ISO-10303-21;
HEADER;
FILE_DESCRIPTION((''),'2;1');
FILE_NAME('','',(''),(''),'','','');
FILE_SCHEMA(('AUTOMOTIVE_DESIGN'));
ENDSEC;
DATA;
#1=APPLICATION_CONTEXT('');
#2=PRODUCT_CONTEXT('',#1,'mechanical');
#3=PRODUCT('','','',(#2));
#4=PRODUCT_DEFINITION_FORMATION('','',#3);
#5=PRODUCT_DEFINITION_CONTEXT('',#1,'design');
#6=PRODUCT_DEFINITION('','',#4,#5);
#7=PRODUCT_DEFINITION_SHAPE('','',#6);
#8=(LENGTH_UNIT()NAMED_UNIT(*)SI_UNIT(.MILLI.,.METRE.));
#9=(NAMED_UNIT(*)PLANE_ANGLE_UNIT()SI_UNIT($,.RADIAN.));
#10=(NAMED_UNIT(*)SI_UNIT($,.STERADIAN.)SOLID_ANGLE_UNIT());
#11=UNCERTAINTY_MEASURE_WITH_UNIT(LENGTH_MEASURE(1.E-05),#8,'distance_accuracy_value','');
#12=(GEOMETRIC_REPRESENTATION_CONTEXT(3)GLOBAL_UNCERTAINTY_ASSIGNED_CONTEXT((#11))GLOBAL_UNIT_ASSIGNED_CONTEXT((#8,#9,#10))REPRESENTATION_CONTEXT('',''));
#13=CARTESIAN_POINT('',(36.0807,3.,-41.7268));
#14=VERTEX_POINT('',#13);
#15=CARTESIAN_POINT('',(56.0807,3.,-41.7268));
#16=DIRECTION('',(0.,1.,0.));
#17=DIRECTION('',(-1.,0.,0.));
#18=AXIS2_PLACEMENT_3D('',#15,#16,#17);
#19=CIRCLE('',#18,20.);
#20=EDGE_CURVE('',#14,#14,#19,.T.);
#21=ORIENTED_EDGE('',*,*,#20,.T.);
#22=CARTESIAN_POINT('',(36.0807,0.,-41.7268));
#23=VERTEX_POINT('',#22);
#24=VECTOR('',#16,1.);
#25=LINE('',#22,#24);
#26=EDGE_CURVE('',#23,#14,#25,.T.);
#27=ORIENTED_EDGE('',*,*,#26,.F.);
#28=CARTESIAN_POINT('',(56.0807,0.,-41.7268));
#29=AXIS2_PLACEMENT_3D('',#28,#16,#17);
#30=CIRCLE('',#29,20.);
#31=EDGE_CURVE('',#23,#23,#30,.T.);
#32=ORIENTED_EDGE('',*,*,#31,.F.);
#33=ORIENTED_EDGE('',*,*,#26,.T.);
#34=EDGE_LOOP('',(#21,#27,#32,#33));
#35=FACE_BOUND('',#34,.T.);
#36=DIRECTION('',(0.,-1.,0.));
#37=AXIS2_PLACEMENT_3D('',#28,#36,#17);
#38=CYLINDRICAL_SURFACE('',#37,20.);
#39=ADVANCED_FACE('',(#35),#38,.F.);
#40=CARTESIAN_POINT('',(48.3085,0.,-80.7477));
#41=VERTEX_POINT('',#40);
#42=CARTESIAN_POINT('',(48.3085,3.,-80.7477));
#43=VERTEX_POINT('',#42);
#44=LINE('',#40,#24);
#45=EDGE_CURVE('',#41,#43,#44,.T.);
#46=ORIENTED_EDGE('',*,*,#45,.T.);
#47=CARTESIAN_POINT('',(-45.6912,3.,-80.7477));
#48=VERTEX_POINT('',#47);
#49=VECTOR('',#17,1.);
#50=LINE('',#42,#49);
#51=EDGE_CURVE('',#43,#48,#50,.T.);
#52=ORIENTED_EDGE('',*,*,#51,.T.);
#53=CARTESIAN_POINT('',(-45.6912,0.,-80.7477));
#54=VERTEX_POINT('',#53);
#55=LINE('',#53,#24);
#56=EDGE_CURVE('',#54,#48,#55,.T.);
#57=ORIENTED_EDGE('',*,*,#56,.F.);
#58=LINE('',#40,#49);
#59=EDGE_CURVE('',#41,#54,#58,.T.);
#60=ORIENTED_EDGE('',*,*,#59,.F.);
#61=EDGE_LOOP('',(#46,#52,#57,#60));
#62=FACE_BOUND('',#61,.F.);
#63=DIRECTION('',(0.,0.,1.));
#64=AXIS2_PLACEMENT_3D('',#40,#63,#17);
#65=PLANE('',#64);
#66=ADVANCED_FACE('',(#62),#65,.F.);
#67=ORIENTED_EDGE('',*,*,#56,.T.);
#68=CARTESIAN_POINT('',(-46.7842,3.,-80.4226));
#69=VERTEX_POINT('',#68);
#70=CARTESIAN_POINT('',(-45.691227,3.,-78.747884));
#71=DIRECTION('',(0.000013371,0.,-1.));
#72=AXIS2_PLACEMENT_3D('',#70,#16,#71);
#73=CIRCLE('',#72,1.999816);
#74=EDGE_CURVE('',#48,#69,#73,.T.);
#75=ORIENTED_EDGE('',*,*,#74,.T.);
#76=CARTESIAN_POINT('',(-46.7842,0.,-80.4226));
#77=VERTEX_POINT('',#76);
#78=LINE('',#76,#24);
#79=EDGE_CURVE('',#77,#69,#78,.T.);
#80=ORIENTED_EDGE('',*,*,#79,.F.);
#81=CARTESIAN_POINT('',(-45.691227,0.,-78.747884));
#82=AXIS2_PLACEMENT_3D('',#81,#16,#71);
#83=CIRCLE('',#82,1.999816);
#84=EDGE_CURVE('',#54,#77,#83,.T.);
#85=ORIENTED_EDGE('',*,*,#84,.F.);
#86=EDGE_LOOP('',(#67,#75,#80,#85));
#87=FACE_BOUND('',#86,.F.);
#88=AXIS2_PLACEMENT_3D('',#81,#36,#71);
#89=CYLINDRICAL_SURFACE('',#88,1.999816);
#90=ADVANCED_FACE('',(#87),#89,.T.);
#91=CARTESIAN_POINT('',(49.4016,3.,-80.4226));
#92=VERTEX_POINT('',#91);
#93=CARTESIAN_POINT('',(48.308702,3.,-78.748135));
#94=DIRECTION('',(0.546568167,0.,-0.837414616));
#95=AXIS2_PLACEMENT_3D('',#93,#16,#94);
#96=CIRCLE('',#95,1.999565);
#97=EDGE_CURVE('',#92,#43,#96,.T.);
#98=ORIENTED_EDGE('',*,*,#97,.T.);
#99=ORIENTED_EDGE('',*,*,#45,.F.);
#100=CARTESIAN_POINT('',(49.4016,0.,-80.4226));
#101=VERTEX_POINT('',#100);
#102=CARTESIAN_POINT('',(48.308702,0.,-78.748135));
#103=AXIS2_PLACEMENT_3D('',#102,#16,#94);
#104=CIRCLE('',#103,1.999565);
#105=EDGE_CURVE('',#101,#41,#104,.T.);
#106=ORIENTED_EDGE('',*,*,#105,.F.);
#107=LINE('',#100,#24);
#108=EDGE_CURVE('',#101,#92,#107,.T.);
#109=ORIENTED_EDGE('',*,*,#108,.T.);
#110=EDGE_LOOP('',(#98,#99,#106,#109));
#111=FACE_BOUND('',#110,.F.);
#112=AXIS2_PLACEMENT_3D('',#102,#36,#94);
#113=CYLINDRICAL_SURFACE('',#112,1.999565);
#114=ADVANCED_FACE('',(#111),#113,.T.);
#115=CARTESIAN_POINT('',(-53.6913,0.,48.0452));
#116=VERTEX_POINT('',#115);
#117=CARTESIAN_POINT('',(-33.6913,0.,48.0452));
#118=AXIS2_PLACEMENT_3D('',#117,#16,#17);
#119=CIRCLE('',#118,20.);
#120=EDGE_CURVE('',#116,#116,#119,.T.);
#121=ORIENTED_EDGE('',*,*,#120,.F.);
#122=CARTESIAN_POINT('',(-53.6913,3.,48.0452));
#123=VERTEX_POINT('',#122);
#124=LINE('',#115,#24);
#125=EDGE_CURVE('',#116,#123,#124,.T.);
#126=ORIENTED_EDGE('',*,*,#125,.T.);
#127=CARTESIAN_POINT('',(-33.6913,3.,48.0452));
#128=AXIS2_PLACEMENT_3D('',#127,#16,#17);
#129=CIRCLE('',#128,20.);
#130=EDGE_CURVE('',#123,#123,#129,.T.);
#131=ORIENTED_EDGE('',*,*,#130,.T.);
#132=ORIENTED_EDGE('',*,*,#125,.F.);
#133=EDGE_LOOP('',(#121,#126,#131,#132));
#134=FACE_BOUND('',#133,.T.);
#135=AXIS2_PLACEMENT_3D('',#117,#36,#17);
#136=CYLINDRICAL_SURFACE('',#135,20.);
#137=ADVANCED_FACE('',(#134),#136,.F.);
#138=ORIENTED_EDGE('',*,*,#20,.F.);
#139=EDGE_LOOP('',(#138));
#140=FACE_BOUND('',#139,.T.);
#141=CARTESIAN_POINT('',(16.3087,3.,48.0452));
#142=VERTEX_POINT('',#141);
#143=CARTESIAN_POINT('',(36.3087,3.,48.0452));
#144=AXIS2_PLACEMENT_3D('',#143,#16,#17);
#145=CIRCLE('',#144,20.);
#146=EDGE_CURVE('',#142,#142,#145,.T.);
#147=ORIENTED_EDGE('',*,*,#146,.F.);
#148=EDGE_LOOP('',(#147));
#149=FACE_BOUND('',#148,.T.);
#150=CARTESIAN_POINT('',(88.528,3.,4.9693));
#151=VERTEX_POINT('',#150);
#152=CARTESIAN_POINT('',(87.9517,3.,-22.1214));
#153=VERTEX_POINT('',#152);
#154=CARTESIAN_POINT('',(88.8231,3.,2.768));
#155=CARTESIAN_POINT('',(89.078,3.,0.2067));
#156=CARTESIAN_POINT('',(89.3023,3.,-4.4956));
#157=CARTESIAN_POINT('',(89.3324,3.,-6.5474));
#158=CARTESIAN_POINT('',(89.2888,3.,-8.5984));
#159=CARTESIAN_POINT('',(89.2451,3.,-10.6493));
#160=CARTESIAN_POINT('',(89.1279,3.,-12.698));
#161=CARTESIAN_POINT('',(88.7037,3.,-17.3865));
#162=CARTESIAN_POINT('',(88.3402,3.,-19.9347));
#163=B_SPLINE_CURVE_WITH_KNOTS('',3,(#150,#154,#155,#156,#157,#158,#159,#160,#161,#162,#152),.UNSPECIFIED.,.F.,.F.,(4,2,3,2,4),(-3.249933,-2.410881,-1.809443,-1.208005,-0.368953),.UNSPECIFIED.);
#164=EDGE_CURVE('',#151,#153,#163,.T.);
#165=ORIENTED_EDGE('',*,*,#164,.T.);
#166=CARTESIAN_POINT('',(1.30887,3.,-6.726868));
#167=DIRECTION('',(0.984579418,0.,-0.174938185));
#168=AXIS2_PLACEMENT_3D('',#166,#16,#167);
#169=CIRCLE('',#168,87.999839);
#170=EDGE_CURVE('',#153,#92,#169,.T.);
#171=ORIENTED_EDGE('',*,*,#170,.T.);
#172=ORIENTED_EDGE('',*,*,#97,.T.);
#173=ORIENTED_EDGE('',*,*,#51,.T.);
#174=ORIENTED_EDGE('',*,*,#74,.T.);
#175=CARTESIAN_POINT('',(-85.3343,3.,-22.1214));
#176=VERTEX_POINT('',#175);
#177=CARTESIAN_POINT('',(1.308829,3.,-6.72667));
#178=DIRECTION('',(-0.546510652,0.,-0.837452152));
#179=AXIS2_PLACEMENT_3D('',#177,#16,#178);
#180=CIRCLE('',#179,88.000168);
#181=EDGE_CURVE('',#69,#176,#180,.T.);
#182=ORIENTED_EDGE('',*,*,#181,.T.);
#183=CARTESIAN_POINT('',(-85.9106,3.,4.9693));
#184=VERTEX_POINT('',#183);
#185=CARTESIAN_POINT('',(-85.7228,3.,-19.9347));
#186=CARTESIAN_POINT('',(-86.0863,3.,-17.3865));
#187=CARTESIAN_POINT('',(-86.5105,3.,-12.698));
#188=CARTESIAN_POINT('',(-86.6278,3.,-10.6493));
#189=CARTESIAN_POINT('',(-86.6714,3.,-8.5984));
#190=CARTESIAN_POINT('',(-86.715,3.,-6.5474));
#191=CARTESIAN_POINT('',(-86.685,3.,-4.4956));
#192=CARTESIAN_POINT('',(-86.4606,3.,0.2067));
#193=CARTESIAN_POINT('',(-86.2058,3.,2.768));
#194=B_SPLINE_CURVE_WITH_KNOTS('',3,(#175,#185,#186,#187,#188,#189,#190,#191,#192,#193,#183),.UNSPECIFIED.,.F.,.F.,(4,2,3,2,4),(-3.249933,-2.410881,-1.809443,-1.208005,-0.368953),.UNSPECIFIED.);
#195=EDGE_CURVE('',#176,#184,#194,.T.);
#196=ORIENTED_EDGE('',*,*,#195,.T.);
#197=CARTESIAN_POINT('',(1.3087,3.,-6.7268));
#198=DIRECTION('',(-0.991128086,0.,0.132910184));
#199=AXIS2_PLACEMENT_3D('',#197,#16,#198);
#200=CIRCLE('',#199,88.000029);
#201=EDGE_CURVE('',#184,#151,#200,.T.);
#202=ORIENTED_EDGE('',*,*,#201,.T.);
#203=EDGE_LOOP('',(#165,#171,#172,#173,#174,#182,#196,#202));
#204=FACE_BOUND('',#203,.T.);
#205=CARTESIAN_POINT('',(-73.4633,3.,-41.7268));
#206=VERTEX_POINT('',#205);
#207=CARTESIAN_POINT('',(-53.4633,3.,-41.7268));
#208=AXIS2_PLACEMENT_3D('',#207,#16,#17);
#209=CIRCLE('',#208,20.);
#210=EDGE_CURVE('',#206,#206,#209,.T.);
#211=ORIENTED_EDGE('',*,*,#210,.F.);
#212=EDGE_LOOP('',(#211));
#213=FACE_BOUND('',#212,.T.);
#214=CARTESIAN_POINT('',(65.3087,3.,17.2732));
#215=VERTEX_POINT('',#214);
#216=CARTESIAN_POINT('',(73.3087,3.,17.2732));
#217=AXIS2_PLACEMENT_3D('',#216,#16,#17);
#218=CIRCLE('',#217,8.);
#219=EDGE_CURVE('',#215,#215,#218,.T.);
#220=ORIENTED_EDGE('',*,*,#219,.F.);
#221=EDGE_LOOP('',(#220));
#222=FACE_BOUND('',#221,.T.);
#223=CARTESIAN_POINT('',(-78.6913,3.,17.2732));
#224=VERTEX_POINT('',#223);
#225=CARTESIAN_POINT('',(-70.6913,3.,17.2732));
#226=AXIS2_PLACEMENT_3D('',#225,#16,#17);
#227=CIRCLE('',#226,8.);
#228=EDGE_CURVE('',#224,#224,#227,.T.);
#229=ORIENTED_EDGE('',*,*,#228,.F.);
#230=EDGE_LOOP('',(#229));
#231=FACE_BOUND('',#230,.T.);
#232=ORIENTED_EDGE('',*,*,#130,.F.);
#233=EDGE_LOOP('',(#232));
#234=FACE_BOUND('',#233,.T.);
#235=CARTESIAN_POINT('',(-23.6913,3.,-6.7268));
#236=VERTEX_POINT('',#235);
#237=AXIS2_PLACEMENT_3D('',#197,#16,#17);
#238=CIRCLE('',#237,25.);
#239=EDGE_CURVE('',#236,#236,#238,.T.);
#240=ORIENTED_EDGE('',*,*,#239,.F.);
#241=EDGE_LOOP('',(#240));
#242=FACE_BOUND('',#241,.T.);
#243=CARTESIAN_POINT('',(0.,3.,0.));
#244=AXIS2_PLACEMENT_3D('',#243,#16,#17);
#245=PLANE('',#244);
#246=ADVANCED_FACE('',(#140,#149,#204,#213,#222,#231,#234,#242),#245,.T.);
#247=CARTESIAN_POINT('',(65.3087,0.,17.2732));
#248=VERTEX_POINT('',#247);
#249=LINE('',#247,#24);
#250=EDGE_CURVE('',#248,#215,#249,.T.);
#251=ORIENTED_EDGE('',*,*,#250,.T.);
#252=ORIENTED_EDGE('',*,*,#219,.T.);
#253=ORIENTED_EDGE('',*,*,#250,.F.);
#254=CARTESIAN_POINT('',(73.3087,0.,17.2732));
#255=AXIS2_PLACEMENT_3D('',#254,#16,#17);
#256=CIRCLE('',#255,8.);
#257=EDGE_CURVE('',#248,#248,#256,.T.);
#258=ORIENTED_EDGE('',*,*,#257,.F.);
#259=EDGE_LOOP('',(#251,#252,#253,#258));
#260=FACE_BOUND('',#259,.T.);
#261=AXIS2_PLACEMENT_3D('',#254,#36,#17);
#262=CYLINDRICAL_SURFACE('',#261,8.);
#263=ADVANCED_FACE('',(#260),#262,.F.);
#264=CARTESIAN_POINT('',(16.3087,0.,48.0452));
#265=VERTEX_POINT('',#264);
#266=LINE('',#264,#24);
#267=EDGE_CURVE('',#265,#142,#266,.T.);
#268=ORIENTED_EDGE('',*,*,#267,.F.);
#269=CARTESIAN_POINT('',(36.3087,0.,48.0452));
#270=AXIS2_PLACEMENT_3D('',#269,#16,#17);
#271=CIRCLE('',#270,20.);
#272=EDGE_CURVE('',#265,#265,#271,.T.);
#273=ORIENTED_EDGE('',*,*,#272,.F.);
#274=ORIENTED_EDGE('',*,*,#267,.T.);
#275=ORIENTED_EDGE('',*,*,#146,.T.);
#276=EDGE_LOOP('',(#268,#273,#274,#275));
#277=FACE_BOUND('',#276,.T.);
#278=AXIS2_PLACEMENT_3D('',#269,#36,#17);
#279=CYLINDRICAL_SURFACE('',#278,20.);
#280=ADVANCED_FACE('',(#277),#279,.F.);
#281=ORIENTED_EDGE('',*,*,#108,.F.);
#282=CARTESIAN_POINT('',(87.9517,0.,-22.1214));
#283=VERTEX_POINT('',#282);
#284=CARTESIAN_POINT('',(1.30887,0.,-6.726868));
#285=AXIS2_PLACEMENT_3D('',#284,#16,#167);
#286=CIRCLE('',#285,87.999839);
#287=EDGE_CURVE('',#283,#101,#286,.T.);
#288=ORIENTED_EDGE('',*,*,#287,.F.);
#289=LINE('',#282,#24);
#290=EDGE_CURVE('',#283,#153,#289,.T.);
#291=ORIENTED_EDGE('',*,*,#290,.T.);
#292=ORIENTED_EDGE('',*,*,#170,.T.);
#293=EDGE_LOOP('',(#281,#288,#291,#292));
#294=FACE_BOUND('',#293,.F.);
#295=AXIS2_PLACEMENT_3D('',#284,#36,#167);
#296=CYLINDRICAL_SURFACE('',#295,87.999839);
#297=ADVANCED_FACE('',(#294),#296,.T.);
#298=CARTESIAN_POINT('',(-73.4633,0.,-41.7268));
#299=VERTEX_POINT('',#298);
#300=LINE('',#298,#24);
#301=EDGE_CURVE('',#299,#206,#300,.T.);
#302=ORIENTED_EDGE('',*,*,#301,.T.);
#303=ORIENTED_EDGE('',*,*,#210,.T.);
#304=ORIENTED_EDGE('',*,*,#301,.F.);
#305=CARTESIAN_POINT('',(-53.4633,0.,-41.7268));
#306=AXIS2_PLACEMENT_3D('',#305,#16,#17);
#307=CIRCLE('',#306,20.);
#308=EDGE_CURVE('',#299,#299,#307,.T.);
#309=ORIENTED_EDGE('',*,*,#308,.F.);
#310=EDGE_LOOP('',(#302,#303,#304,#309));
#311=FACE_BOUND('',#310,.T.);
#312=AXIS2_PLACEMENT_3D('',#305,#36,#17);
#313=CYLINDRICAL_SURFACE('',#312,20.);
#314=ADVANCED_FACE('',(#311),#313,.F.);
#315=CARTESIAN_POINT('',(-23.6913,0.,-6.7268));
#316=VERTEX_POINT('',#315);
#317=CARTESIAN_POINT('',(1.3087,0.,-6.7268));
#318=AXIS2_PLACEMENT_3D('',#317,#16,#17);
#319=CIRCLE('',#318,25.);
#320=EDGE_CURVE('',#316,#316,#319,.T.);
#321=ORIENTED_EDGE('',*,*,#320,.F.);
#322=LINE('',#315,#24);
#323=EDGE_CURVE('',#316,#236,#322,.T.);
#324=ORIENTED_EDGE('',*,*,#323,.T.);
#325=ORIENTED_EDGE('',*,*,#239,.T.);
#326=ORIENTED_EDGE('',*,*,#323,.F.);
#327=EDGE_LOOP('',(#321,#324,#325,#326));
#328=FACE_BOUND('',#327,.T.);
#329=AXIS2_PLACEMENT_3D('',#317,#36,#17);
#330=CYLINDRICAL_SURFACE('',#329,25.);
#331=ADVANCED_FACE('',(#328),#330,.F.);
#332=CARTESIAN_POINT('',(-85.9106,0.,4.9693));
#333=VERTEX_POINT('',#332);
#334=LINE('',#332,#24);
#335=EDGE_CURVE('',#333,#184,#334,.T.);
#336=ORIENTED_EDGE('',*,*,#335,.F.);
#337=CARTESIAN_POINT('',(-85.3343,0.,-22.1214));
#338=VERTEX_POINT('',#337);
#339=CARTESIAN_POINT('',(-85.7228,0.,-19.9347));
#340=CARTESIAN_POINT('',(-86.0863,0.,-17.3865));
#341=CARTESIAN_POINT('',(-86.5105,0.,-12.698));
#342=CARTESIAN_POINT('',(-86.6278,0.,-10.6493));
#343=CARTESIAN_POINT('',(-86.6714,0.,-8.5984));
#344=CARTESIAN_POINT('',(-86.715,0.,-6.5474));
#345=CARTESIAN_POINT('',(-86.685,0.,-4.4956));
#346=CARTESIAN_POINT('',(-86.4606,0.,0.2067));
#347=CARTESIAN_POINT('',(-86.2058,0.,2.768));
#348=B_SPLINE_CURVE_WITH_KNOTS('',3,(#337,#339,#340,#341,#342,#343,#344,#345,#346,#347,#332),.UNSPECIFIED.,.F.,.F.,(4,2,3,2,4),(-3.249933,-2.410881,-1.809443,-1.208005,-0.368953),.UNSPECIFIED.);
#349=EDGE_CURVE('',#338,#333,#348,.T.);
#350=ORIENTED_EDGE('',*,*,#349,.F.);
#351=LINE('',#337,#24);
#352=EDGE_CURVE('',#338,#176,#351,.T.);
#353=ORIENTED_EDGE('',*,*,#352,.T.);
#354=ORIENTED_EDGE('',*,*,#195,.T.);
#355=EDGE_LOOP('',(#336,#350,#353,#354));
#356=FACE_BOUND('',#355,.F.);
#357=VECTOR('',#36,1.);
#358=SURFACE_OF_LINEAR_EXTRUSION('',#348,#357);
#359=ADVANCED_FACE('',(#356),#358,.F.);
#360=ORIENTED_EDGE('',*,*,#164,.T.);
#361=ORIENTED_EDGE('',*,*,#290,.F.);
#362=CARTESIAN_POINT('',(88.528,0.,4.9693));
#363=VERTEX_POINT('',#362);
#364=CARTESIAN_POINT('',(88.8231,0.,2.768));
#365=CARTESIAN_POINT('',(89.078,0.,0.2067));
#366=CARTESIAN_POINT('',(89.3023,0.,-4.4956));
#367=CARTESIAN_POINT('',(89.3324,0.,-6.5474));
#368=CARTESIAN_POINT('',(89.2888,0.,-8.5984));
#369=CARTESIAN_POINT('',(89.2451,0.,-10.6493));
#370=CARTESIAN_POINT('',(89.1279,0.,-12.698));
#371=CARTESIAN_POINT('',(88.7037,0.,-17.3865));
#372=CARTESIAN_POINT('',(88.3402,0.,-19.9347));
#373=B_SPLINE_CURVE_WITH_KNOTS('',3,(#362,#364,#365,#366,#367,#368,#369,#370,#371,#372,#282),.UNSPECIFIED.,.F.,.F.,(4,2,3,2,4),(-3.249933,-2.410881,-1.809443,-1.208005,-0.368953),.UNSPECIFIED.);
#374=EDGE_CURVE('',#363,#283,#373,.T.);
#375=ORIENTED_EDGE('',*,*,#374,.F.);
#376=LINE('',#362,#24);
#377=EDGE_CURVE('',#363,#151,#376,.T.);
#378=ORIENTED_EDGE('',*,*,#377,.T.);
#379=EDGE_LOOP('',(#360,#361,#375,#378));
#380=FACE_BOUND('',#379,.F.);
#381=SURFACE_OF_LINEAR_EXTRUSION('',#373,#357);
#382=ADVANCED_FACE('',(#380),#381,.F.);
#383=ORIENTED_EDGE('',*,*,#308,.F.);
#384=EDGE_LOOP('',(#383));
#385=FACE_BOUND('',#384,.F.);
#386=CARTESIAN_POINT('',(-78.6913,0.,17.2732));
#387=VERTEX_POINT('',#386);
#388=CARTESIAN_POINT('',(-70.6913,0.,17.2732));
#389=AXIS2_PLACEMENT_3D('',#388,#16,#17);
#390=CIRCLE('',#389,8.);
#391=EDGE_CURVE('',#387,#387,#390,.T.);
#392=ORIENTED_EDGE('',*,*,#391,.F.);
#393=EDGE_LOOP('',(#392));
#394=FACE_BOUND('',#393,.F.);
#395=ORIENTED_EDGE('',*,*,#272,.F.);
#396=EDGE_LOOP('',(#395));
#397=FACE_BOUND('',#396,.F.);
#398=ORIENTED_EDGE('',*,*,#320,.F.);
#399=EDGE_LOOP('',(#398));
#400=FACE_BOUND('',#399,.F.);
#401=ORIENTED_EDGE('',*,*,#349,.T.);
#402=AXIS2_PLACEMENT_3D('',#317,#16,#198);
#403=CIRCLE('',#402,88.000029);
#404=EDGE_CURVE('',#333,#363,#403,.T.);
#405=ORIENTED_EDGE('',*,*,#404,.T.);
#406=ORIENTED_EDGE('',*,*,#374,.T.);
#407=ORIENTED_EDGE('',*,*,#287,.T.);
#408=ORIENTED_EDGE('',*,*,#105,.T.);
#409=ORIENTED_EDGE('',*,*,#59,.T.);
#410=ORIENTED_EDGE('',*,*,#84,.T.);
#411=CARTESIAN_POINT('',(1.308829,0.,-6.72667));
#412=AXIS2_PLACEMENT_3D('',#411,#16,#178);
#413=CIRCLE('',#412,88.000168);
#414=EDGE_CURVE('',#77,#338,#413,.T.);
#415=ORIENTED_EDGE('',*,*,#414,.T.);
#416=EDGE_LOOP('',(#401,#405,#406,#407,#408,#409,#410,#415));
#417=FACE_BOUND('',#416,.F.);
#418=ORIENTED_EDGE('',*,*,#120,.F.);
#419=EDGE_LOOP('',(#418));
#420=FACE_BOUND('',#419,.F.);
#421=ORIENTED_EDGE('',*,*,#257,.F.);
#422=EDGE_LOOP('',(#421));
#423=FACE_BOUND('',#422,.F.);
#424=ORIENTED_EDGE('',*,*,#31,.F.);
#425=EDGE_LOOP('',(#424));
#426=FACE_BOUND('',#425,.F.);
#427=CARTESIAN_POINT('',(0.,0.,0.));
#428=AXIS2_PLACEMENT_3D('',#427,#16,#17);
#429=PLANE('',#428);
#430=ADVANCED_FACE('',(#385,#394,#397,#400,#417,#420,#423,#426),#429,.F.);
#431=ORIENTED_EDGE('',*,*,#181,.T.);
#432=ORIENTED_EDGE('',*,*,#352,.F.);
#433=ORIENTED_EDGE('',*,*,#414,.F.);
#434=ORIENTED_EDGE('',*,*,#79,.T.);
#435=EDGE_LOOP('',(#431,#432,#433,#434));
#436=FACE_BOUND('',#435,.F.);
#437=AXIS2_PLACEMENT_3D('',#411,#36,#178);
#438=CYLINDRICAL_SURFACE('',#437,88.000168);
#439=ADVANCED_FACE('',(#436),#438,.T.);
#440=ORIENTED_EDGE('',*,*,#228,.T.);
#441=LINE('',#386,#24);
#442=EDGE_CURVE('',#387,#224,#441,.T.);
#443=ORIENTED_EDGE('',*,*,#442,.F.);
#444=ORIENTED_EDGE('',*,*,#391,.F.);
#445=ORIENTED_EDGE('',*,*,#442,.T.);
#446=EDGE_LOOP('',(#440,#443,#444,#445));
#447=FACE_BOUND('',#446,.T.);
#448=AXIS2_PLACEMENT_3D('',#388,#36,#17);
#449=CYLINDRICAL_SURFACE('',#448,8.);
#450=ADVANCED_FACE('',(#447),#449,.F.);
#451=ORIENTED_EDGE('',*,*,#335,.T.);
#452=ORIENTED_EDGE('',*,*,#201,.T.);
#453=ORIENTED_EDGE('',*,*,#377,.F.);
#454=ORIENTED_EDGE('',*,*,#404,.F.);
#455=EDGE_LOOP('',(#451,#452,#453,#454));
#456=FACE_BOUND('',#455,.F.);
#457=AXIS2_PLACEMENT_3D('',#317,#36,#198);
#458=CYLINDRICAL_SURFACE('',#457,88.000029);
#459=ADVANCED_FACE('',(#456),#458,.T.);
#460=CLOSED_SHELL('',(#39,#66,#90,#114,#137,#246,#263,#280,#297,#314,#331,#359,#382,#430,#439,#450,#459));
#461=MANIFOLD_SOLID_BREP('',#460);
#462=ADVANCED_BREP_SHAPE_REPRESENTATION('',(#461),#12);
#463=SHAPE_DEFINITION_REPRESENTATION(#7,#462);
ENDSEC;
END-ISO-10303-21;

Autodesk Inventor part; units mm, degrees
ref_plane "YZ Plane" through (0, 0, 0) normal (1, 0, 0) x (0, 1, 0)
ref_plane "XZ Plane" through (0, 0, 0) normal (0, 1, 0) x (-1, 0, 0)
ref_plane "XY Plane" through (0, 0, 0) normal (0, 0, 1) x (1, 0, 0)
sketch "Эскиз1" plane through (0, 0, 0) normal (0, 1, 0) x (-1, 0, 0)
  arc A0 (46.7842, -80.4226) -> (85.3343, -22.1214) centre (-1.3087, -6.7268) ccw
  spline S0 degree 3 poles (85.3343, -22.1214) (85.7228, -19.9347) (86.0863, -17.3865) (86.5105, -12.698) (86.6278, -10.6493) (86.6714, -8.5984) (86.715, -6.5474) (86.685, -4.4956) (86.4606, 0.2067) (86.2058, 2.768) (85.9106, 4.9693) knots -3.249933 -3.249933 -3.249933 -3.249933 -2.410881 -2.410881 -1.809443 -1.809443 -1.809443 -1.208005 -1.208005 -0.368953 -0.368953 -0.368953 -0.368953
  arc A1 (85.9106, 4.9693) -> (-88.528, 4.9693) centre (-1.3087, -6.7268) ccw
  spline S1 degree 3 poles (-88.528, 4.9693) (-88.8231, 2.768) (-89.078, 0.2067) (-89.3023, -4.4956) (-89.3324, -6.5474) (-89.2888, -8.5984) (-89.2451, -10.6493) (-89.1279, -12.698) (-88.7037, -17.3865) (-88.3402, -19.9347) (-87.9517, -22.1214) knots -3.249933 -3.249933 -3.249933 -3.249933 -2.410881 -2.410881 -1.809443 -1.809443 -1.809443 -1.208005 -1.208005 -0.368953 -0.368953 -0.368953 -0.368953
  arc A2 (-87.9517, -22.1214) -> (-49.4016, -80.4226) centre (-1.3087, -6.7268) ccw
  line L0 (-48.3085, -80.7477) -> (45.6912, -80.7477)
  arc A3 (-49.4016, -80.4226) -> (-48.3085, -80.7477) centre (-48.3085, -78.7477) ccw
  arc A4 (45.6912, -80.7477) -> (46.7842, -80.4226) centre (45.6912, -78.7477) ccw
  circle A5 centre (53.4633, -41.7268) radius 20
  circle A6 centre (-56.0807, -41.7268) radius 20
  circle A7 centre (-36.3087, 48.0452) radius 20
  circle A8 centre (33.6913, 48.0452) radius 20
  circle A9 centre (-1.3087, -6.7268) radius 25
  circle A10 centre (70.6913, 17.2732) radius 3.25 construction
  circle A11 centre (-73.3087, 17.2732) radius 3.25 construction
  circle A12 centre (70.6913, 17.2732) radius 8
  circle A13 centre (-73.3087, 17.2732) radius 8
  point P0 (0, 0)
  dimension "d0" = 16
  dimension "d1" = 16
extrude "Выдавливание1" add sketch "Эскиз1" along normal blind 3
properties part number "vverh"
